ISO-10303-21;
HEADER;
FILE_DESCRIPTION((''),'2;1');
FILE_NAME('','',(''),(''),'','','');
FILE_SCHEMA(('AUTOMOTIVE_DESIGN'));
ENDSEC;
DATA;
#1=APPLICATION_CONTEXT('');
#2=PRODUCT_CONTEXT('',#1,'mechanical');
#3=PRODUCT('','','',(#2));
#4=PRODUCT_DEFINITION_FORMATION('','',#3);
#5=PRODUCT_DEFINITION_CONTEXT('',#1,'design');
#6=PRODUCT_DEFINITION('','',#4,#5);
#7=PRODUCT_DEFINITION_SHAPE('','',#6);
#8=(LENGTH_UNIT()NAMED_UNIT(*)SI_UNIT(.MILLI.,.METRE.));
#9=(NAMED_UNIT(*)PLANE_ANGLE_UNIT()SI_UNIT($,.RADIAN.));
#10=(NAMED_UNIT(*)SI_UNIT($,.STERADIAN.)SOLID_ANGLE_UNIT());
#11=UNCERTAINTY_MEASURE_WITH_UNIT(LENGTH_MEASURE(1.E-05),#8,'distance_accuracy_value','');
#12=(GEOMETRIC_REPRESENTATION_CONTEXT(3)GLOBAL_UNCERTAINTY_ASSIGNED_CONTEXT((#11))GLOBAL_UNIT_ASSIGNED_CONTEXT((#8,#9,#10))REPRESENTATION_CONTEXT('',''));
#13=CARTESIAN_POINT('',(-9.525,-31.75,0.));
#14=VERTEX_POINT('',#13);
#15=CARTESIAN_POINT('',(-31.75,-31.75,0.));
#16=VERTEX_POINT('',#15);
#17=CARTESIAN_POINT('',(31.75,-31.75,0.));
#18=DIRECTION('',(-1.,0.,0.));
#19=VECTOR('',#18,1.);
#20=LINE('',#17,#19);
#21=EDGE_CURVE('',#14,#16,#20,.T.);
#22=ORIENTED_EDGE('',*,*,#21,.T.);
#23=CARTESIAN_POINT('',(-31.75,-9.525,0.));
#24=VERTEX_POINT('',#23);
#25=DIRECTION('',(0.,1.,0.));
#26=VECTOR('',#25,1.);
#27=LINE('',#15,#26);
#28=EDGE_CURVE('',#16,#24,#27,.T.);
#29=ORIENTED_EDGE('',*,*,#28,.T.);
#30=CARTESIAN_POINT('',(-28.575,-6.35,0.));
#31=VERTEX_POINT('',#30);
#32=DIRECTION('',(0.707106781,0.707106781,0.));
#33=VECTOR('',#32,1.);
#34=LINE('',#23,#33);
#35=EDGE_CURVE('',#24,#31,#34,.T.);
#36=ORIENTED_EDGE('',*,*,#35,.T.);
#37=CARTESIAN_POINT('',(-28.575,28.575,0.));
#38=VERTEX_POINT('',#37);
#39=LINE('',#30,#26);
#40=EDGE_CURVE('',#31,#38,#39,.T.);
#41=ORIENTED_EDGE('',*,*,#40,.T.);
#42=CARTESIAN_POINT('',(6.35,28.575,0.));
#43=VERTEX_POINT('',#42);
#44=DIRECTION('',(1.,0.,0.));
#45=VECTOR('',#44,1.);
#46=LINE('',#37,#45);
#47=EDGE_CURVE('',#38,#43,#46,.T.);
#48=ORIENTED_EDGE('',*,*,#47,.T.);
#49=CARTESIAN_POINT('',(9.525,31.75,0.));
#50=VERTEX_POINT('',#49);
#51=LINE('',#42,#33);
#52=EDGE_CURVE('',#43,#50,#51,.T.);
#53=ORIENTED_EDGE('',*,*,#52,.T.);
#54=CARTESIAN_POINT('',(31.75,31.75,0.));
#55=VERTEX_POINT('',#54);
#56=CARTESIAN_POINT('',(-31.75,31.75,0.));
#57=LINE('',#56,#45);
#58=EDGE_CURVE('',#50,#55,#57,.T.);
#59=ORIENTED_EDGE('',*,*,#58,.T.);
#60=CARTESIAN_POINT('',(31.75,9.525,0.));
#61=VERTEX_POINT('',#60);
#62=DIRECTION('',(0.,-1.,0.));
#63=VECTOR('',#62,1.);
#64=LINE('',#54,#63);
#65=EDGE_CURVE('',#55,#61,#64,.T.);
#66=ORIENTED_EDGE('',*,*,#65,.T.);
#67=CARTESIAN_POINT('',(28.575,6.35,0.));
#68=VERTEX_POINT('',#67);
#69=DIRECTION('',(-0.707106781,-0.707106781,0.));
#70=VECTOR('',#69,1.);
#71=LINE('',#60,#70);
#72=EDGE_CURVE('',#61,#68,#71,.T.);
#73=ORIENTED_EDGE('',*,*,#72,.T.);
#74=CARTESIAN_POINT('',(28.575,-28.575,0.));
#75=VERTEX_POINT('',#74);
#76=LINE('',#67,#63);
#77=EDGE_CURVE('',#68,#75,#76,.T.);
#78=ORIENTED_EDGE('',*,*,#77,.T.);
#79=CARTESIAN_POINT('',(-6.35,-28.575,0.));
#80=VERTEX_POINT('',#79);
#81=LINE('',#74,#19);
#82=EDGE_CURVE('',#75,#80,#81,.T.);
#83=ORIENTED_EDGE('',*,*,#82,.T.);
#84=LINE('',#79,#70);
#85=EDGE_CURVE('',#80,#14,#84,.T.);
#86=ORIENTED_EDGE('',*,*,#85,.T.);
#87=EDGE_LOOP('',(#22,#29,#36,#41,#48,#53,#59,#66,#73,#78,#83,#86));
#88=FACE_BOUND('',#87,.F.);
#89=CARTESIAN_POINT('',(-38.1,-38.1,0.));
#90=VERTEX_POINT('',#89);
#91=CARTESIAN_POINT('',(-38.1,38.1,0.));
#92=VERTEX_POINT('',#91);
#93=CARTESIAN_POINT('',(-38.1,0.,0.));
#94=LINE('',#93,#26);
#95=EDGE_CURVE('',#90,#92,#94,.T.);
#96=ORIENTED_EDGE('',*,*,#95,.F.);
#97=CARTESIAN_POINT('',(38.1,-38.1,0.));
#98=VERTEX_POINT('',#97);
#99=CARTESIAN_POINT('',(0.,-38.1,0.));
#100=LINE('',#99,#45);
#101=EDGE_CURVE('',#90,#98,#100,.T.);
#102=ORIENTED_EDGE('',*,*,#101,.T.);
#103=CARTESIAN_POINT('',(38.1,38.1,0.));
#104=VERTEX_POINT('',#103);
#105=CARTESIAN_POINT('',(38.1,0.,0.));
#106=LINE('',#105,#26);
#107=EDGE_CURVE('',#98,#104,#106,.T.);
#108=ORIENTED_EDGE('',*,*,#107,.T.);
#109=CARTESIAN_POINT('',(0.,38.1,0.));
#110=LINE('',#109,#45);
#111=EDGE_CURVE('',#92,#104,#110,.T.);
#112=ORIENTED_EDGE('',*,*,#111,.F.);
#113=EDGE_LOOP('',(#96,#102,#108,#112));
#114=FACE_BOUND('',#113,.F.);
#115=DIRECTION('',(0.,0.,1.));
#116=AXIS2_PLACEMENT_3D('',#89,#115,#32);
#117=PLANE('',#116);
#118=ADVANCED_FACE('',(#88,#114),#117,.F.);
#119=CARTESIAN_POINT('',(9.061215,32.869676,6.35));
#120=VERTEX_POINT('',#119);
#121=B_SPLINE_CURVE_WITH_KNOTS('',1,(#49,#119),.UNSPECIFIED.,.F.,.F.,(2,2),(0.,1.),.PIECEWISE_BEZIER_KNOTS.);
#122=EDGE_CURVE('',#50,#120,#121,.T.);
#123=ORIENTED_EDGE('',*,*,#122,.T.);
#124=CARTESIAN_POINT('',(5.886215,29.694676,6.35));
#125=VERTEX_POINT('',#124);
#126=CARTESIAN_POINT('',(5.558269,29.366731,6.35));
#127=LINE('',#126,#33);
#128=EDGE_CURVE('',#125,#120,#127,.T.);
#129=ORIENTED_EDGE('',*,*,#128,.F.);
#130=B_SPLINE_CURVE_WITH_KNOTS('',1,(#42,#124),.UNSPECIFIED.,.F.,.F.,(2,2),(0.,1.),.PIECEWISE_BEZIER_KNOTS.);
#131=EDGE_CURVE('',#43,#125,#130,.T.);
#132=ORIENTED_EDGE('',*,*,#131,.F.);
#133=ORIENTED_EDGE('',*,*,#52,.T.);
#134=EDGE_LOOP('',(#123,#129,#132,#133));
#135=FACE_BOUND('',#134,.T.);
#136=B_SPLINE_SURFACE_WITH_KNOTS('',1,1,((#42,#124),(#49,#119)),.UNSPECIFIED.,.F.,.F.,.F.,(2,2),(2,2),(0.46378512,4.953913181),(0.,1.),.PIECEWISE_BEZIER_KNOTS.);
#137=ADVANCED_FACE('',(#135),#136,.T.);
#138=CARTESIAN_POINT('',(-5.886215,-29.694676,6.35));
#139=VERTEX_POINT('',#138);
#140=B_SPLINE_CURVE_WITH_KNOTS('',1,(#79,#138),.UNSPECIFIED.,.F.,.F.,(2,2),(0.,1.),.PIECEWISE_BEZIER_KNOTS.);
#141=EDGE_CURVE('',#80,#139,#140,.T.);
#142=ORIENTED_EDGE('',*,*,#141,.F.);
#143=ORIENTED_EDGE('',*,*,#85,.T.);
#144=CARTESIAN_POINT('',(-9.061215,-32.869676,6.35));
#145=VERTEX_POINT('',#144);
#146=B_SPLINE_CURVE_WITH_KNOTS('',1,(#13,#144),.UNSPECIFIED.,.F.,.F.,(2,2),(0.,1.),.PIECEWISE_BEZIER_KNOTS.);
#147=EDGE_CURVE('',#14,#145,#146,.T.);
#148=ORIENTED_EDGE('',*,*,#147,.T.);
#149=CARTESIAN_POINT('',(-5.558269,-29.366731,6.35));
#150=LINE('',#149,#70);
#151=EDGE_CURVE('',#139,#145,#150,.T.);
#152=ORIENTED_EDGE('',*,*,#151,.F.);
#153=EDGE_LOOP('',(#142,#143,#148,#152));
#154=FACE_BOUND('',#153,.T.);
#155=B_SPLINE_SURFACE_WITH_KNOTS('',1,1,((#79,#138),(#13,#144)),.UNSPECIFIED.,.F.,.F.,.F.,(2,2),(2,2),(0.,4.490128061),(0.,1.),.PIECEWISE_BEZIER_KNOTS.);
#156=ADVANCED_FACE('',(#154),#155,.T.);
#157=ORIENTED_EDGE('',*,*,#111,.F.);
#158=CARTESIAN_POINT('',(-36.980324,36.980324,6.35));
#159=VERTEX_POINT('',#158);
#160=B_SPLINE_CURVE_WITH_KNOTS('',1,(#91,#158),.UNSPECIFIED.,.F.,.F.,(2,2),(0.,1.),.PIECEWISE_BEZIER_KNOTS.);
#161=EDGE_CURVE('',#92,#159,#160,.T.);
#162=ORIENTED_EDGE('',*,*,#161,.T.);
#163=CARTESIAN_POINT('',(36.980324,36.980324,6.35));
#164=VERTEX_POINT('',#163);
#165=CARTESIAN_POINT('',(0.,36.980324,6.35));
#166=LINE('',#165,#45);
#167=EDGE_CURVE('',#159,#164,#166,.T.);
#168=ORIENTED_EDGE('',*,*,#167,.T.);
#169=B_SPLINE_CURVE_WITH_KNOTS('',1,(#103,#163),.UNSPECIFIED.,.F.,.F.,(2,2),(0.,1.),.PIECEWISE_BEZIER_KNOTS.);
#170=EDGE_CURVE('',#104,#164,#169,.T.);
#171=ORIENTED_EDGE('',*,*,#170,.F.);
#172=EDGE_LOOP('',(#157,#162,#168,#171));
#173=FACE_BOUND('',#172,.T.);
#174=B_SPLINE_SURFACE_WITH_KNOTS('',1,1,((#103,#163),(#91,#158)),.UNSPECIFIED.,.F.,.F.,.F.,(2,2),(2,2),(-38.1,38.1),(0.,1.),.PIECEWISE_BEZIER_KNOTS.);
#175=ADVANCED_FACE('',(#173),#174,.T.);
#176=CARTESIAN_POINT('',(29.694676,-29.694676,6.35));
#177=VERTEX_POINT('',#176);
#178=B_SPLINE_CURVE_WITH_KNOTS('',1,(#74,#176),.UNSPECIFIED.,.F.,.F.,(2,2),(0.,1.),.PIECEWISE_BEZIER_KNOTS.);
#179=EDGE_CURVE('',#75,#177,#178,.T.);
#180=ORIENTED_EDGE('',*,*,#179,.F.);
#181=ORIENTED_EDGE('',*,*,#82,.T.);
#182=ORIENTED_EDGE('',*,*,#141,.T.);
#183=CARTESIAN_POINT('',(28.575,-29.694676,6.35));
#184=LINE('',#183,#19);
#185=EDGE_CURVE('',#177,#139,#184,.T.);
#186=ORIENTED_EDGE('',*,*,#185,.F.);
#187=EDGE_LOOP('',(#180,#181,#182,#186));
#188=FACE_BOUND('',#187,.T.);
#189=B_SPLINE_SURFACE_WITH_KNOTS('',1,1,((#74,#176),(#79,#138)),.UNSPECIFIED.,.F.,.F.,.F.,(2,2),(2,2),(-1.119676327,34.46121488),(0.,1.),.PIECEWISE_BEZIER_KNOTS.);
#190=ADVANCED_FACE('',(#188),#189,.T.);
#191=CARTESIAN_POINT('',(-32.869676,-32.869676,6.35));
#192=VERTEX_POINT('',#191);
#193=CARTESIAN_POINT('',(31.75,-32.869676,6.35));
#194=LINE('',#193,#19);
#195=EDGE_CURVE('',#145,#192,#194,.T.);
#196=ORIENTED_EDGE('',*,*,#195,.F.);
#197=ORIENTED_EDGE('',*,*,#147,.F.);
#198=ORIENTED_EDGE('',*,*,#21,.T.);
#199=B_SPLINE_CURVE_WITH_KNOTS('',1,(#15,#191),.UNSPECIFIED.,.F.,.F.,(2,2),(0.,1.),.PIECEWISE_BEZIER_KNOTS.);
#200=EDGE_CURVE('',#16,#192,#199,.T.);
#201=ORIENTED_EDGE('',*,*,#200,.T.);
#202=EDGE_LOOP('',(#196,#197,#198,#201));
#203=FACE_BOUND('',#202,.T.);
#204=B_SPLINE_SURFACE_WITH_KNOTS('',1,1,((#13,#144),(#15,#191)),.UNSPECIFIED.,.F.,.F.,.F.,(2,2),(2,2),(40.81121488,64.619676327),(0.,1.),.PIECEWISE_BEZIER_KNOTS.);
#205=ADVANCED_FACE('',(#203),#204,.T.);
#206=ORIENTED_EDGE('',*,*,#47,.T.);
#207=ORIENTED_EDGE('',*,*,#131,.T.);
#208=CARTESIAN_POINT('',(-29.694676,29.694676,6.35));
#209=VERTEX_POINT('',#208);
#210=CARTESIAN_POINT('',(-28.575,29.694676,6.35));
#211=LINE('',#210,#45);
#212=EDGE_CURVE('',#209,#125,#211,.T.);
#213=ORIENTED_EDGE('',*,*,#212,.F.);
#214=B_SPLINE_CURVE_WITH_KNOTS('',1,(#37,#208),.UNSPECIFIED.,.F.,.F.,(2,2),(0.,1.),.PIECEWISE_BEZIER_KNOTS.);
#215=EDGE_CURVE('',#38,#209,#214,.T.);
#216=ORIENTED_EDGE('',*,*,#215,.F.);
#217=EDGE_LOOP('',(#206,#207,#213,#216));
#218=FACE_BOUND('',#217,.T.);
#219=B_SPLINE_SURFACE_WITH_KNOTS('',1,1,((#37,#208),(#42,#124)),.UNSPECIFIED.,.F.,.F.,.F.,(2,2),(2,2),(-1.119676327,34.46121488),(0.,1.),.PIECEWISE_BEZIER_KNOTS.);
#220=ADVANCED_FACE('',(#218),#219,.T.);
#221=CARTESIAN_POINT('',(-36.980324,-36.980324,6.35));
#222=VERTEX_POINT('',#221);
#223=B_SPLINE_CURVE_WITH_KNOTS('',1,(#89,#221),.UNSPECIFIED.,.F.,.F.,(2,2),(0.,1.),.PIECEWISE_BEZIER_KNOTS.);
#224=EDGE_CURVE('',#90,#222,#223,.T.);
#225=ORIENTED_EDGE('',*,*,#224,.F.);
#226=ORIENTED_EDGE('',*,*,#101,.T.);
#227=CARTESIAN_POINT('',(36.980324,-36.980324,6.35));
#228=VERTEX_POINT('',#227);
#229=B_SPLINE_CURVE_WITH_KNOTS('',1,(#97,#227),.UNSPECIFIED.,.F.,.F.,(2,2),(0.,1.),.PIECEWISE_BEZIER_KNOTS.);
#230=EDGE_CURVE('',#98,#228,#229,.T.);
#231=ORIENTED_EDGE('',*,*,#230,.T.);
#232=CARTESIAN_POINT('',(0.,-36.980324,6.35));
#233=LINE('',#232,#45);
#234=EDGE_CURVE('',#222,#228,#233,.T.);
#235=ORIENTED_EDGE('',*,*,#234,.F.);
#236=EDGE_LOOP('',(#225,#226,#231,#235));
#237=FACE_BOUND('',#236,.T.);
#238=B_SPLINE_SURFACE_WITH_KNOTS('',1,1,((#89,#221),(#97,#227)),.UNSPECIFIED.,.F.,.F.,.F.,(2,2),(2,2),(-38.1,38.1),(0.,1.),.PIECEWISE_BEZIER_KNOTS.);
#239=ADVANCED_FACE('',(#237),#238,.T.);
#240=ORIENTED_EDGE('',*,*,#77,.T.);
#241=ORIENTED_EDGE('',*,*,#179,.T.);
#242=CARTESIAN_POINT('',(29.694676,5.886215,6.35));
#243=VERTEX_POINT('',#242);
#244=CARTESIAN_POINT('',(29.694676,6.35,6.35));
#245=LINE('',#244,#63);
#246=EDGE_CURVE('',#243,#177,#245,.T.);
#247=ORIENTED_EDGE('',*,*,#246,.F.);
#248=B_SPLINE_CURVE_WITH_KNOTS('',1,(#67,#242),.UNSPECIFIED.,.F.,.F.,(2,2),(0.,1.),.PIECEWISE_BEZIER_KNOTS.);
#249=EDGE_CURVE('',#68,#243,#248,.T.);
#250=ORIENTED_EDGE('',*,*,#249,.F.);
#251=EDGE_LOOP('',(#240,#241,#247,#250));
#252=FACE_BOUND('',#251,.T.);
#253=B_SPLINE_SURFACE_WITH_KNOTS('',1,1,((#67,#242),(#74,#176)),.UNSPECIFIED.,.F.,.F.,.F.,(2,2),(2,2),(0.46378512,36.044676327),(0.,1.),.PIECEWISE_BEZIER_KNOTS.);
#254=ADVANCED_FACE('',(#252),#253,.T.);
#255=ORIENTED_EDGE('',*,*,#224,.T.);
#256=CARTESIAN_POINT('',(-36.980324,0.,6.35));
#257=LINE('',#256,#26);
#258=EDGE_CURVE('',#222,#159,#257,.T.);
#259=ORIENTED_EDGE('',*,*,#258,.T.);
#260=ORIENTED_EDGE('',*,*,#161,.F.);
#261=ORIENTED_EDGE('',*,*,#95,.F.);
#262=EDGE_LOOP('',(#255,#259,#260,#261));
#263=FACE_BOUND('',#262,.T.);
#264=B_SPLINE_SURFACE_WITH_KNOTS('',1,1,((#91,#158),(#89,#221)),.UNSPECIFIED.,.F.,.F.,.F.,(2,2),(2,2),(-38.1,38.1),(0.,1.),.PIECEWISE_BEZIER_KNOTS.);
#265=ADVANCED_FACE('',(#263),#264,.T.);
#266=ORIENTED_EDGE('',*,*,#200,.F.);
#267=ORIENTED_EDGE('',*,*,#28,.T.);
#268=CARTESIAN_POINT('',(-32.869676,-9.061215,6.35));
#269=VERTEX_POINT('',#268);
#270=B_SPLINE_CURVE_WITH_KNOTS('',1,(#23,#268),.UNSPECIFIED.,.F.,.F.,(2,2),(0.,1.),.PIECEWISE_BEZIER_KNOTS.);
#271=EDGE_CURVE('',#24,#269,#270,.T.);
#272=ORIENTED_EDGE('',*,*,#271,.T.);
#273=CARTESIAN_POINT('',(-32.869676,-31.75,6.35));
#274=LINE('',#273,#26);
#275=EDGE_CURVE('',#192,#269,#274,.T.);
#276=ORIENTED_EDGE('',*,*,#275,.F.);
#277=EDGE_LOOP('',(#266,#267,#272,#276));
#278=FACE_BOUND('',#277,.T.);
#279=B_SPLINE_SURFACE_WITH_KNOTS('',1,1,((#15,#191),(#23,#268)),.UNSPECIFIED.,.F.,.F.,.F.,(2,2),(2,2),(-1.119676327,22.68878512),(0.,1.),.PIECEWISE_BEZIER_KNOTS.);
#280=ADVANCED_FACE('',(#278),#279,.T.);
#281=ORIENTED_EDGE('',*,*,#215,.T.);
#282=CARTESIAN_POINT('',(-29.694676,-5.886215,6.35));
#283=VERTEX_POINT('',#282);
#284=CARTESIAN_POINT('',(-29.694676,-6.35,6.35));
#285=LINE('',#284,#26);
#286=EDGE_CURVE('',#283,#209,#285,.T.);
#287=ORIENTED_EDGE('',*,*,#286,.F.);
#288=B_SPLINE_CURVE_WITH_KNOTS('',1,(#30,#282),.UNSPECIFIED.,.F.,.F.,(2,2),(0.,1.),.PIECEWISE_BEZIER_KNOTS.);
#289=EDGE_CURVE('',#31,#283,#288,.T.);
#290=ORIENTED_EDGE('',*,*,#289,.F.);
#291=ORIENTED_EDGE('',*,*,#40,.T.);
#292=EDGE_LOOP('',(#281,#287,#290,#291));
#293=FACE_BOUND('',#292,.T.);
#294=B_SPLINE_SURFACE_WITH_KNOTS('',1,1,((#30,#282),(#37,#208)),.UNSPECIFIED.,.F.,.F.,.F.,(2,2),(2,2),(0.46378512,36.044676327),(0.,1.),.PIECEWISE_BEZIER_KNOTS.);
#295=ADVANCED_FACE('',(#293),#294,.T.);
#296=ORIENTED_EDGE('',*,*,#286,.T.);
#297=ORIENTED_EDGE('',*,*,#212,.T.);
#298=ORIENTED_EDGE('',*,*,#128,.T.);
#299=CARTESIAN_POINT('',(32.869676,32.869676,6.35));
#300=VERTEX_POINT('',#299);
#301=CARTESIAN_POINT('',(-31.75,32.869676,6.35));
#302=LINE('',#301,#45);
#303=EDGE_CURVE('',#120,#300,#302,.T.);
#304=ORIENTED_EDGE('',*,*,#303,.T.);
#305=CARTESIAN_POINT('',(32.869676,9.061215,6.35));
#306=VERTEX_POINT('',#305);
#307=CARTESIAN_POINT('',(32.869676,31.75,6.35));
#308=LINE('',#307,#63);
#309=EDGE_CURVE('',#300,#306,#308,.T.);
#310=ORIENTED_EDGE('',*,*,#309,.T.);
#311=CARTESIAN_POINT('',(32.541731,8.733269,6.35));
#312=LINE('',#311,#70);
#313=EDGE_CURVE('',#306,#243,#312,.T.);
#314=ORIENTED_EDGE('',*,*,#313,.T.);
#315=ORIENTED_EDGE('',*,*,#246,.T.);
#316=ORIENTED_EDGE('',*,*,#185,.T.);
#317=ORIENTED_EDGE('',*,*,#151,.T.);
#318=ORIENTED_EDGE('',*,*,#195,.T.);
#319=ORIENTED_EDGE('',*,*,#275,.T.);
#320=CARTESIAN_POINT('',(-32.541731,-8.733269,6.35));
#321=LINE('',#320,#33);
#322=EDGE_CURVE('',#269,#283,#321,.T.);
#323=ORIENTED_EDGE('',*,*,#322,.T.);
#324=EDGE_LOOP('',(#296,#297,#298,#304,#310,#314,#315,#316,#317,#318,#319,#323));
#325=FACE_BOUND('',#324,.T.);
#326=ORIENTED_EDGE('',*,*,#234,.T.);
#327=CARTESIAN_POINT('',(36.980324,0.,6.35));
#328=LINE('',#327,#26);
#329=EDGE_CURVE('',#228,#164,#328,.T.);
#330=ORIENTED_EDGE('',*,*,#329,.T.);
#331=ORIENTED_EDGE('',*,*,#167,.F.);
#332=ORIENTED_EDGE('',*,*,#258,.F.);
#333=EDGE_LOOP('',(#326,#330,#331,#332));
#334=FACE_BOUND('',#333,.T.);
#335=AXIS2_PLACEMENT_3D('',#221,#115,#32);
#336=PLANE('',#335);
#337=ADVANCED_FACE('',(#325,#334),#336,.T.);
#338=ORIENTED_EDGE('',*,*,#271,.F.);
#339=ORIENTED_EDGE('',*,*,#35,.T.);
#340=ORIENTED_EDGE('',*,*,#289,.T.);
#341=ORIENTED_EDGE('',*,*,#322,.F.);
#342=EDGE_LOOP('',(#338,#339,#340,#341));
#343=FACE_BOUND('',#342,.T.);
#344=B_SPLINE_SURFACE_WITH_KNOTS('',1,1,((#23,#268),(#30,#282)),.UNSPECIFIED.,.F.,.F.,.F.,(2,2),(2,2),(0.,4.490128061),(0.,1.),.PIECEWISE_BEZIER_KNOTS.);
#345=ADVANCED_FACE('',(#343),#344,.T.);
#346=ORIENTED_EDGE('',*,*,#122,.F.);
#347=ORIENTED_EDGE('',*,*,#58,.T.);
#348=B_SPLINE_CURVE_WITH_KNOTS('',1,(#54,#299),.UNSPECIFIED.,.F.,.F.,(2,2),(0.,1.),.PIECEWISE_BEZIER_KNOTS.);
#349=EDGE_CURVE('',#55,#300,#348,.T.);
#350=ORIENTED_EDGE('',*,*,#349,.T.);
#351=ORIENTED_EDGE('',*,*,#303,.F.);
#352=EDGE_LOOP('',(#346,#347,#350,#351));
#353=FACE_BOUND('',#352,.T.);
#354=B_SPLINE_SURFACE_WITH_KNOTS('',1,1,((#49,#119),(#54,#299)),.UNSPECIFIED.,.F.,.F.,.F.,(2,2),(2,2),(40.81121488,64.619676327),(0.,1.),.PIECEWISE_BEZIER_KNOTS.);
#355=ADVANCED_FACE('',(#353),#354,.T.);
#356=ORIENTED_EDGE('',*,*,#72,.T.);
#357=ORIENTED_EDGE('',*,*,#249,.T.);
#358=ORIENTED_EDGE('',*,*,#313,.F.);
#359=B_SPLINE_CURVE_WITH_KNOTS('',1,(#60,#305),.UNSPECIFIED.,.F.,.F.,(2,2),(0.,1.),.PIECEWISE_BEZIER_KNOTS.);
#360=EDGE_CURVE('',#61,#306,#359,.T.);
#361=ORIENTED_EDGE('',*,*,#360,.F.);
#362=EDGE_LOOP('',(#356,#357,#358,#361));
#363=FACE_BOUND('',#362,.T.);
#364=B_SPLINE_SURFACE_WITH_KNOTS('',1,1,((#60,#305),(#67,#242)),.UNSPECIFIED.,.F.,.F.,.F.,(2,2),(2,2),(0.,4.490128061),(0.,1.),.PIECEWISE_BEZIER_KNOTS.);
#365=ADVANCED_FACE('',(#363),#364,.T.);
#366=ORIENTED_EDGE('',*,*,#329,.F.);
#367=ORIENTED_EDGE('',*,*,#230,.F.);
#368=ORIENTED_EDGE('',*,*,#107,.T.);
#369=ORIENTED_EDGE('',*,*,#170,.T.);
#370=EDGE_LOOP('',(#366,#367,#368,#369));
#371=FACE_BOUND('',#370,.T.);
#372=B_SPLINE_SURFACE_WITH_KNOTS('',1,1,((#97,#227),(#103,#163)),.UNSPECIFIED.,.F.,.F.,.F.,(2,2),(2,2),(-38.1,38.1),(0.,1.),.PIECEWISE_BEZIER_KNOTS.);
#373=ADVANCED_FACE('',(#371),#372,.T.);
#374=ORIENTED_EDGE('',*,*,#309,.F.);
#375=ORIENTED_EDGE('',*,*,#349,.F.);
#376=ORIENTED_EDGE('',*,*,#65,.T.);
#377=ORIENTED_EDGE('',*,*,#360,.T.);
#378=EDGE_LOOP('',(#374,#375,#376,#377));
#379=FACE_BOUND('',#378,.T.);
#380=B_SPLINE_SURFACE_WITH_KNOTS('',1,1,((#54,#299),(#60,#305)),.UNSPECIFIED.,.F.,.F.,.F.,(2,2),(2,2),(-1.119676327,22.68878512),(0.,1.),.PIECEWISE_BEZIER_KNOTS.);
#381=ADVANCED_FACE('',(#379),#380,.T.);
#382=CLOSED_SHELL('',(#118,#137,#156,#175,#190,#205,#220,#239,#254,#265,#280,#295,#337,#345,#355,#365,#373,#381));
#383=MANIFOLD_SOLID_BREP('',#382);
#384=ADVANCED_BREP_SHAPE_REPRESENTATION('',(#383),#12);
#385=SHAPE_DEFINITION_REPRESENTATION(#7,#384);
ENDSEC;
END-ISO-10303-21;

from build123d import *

# Parameters (mm, degrees)
F0_W     = 76.2
F0_H     = 76.2
F1_DEPTH = 6.35
F1_TAPER = 10


with BuildPart() as f1:
    # F0 (on Top) → F1 (new body)
    with BuildSketch(Plane.XY):
        Rectangle(F0_W, F0_H)
        Polygon((31.75, -31.75), (-9.525, -31.75), (-31.75, -31.75), (-31.75, -9.525), (-31.75, 31.75), (9.525, 31.75), (31.75, 31.75), (31.75, 9.525), align=None, mode=Mode.SUBTRACT)
        Polygon((-28.575, -6.35), (-28.575, 28.575), (6.35, 28.575), (9.525, 31.75), (-31.75, 31.75), (-31.75, -9.525), align=None)
        Polygon((28.575, 6.35), (28.575, -28.575), (-6.35, -28.575), (-9.525, -31.75), (31.75, -31.75), (31.75, 9.525), align=None)
    extrude(amount=F1_DEPTH, taper=F1_TAPER)


solid = f1.part
